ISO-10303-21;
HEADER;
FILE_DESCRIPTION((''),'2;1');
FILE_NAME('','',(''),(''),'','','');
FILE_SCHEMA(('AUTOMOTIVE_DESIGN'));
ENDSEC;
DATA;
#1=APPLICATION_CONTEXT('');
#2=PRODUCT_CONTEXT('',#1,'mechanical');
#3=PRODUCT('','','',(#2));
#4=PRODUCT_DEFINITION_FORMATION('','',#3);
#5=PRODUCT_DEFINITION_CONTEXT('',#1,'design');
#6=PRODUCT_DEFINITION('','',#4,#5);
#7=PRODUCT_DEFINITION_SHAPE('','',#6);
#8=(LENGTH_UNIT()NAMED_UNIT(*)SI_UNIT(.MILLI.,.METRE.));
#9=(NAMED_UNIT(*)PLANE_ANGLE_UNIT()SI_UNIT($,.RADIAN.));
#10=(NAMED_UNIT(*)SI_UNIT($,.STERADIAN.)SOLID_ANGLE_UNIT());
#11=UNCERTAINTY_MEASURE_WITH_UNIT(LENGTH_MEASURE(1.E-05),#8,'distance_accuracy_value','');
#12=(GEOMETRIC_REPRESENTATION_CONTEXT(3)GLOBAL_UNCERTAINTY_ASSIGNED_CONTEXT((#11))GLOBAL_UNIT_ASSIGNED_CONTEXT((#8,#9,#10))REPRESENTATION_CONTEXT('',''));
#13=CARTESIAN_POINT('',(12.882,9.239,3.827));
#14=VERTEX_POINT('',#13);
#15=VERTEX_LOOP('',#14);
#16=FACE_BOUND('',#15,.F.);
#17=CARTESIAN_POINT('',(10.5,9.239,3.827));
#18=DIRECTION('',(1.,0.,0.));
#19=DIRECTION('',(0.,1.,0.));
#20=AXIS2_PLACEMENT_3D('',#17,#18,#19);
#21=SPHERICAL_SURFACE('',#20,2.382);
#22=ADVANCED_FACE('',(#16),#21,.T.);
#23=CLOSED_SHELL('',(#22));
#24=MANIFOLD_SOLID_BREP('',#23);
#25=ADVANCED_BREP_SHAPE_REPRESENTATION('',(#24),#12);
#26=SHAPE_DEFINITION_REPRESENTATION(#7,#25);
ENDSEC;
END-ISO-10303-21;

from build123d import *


with BuildPart() as part:
    # Sketch1 → Revolve1 (revolve)
    with BuildSketch(Plane.XY.offset(3.827)):
        with BuildLine():
            Line((12.882, 9.239), (8.118, 9.239))
            ThreePointArc((8.118, 9.239), (10.5, 11.621), (12.882, 9.239))
        make_face()
    revolve(axis=Axis((50, 9.239, 3.827), (-1, 0, 0)))


solid = part.part
